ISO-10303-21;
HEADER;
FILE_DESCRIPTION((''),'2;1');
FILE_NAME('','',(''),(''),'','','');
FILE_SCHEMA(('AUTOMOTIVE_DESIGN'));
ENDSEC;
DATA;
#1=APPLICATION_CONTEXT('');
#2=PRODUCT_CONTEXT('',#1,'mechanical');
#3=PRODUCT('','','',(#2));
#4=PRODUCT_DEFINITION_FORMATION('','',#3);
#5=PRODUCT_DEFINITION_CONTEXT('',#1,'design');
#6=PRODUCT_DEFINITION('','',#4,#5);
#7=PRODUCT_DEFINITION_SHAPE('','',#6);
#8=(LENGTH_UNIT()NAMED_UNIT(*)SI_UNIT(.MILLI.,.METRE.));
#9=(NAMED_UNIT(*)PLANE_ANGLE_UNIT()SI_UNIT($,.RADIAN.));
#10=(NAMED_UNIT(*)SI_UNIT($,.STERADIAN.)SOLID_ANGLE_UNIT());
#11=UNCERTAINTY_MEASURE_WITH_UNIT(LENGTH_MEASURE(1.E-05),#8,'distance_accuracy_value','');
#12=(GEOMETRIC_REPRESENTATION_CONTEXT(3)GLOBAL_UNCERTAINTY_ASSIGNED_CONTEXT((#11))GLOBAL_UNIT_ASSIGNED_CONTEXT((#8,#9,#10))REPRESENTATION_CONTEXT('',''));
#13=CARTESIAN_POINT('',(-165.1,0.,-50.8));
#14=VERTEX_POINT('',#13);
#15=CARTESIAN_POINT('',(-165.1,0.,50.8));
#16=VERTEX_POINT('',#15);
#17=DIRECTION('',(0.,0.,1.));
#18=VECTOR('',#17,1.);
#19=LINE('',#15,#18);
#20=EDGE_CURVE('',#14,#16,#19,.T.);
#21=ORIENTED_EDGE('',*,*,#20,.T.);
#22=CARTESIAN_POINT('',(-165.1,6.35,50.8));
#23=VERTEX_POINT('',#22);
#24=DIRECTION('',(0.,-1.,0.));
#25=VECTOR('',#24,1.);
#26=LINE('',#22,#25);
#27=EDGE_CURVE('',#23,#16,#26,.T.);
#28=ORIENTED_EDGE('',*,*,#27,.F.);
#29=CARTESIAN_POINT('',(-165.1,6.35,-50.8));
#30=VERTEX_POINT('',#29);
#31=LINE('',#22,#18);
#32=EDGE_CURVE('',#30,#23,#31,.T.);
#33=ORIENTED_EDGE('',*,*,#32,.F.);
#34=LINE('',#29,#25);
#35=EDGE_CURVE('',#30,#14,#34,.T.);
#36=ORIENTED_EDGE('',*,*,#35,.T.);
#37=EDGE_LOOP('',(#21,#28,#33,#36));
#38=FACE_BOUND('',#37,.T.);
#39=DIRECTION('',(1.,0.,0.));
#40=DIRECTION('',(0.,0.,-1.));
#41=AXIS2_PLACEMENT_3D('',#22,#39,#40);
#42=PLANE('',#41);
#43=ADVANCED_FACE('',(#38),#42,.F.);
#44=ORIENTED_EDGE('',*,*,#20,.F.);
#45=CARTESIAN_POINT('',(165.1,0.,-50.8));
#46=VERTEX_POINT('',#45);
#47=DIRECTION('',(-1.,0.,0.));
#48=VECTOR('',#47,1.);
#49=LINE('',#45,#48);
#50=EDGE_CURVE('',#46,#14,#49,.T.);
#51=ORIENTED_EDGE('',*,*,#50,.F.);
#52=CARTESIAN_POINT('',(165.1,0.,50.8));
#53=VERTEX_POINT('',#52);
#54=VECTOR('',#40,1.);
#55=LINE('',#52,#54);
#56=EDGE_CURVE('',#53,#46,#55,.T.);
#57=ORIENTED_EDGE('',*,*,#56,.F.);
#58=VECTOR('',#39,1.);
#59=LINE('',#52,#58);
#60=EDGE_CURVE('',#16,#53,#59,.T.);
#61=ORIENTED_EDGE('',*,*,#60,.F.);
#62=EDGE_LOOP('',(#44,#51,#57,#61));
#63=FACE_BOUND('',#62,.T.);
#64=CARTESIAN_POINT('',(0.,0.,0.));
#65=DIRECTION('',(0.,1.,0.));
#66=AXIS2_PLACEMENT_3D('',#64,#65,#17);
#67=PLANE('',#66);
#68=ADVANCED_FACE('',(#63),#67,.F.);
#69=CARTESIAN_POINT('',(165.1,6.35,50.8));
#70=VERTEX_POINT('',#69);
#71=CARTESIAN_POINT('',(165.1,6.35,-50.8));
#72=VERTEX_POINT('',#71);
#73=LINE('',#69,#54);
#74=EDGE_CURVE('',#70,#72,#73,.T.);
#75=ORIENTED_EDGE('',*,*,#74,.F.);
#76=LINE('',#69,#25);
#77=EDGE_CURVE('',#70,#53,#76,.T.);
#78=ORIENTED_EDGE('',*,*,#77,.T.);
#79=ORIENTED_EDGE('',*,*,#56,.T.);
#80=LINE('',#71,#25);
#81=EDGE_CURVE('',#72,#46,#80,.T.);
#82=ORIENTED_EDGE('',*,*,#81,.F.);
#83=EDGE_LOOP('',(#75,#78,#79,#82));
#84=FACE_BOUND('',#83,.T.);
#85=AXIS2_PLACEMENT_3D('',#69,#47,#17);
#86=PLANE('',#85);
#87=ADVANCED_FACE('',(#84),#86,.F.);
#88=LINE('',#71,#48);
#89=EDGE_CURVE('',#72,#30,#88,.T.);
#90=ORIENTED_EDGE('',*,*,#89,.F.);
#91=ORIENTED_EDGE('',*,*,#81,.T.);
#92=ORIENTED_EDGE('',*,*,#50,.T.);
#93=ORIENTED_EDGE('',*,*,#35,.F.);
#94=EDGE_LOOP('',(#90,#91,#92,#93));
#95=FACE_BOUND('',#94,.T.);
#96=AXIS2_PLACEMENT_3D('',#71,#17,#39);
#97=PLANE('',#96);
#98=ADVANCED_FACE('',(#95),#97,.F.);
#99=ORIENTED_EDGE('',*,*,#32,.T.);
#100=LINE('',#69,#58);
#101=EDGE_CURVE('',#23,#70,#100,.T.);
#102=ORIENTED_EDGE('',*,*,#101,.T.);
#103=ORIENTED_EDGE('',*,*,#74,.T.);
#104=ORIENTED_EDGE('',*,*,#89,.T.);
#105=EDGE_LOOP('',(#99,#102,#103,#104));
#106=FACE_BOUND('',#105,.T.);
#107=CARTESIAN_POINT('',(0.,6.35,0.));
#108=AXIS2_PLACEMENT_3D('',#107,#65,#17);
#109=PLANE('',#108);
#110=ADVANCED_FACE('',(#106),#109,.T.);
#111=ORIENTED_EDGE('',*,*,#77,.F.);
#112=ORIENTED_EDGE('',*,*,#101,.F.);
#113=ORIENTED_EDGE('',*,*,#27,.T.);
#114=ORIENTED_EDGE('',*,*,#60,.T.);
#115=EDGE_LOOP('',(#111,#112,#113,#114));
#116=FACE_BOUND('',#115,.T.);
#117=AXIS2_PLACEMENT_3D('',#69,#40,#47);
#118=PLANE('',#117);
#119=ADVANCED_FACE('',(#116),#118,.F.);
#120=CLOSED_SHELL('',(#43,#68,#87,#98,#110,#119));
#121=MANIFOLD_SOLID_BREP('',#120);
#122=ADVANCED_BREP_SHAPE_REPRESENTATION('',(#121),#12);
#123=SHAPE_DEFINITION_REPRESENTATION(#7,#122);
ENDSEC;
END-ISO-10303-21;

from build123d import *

# Parameters (mm, degrees)
SKETCH1_W           = 330.2
SKETCH1_H           = 101.6
BOSS_EXTRUDE1_DEPTH = 6.35


with BuildPart() as part:
    # Sketch1 → Boss-Extrude1 (new body)
    with BuildSketch(Plane(origin=(0, 0, 0), x_dir=(1, 0, 0), z_dir=(0, 1, 0))):
        Rectangle(SKETCH1_W, SKETCH1_H)
    extrude(amount=BOSS_EXTRUDE1_DEPTH)


solid = part.part
